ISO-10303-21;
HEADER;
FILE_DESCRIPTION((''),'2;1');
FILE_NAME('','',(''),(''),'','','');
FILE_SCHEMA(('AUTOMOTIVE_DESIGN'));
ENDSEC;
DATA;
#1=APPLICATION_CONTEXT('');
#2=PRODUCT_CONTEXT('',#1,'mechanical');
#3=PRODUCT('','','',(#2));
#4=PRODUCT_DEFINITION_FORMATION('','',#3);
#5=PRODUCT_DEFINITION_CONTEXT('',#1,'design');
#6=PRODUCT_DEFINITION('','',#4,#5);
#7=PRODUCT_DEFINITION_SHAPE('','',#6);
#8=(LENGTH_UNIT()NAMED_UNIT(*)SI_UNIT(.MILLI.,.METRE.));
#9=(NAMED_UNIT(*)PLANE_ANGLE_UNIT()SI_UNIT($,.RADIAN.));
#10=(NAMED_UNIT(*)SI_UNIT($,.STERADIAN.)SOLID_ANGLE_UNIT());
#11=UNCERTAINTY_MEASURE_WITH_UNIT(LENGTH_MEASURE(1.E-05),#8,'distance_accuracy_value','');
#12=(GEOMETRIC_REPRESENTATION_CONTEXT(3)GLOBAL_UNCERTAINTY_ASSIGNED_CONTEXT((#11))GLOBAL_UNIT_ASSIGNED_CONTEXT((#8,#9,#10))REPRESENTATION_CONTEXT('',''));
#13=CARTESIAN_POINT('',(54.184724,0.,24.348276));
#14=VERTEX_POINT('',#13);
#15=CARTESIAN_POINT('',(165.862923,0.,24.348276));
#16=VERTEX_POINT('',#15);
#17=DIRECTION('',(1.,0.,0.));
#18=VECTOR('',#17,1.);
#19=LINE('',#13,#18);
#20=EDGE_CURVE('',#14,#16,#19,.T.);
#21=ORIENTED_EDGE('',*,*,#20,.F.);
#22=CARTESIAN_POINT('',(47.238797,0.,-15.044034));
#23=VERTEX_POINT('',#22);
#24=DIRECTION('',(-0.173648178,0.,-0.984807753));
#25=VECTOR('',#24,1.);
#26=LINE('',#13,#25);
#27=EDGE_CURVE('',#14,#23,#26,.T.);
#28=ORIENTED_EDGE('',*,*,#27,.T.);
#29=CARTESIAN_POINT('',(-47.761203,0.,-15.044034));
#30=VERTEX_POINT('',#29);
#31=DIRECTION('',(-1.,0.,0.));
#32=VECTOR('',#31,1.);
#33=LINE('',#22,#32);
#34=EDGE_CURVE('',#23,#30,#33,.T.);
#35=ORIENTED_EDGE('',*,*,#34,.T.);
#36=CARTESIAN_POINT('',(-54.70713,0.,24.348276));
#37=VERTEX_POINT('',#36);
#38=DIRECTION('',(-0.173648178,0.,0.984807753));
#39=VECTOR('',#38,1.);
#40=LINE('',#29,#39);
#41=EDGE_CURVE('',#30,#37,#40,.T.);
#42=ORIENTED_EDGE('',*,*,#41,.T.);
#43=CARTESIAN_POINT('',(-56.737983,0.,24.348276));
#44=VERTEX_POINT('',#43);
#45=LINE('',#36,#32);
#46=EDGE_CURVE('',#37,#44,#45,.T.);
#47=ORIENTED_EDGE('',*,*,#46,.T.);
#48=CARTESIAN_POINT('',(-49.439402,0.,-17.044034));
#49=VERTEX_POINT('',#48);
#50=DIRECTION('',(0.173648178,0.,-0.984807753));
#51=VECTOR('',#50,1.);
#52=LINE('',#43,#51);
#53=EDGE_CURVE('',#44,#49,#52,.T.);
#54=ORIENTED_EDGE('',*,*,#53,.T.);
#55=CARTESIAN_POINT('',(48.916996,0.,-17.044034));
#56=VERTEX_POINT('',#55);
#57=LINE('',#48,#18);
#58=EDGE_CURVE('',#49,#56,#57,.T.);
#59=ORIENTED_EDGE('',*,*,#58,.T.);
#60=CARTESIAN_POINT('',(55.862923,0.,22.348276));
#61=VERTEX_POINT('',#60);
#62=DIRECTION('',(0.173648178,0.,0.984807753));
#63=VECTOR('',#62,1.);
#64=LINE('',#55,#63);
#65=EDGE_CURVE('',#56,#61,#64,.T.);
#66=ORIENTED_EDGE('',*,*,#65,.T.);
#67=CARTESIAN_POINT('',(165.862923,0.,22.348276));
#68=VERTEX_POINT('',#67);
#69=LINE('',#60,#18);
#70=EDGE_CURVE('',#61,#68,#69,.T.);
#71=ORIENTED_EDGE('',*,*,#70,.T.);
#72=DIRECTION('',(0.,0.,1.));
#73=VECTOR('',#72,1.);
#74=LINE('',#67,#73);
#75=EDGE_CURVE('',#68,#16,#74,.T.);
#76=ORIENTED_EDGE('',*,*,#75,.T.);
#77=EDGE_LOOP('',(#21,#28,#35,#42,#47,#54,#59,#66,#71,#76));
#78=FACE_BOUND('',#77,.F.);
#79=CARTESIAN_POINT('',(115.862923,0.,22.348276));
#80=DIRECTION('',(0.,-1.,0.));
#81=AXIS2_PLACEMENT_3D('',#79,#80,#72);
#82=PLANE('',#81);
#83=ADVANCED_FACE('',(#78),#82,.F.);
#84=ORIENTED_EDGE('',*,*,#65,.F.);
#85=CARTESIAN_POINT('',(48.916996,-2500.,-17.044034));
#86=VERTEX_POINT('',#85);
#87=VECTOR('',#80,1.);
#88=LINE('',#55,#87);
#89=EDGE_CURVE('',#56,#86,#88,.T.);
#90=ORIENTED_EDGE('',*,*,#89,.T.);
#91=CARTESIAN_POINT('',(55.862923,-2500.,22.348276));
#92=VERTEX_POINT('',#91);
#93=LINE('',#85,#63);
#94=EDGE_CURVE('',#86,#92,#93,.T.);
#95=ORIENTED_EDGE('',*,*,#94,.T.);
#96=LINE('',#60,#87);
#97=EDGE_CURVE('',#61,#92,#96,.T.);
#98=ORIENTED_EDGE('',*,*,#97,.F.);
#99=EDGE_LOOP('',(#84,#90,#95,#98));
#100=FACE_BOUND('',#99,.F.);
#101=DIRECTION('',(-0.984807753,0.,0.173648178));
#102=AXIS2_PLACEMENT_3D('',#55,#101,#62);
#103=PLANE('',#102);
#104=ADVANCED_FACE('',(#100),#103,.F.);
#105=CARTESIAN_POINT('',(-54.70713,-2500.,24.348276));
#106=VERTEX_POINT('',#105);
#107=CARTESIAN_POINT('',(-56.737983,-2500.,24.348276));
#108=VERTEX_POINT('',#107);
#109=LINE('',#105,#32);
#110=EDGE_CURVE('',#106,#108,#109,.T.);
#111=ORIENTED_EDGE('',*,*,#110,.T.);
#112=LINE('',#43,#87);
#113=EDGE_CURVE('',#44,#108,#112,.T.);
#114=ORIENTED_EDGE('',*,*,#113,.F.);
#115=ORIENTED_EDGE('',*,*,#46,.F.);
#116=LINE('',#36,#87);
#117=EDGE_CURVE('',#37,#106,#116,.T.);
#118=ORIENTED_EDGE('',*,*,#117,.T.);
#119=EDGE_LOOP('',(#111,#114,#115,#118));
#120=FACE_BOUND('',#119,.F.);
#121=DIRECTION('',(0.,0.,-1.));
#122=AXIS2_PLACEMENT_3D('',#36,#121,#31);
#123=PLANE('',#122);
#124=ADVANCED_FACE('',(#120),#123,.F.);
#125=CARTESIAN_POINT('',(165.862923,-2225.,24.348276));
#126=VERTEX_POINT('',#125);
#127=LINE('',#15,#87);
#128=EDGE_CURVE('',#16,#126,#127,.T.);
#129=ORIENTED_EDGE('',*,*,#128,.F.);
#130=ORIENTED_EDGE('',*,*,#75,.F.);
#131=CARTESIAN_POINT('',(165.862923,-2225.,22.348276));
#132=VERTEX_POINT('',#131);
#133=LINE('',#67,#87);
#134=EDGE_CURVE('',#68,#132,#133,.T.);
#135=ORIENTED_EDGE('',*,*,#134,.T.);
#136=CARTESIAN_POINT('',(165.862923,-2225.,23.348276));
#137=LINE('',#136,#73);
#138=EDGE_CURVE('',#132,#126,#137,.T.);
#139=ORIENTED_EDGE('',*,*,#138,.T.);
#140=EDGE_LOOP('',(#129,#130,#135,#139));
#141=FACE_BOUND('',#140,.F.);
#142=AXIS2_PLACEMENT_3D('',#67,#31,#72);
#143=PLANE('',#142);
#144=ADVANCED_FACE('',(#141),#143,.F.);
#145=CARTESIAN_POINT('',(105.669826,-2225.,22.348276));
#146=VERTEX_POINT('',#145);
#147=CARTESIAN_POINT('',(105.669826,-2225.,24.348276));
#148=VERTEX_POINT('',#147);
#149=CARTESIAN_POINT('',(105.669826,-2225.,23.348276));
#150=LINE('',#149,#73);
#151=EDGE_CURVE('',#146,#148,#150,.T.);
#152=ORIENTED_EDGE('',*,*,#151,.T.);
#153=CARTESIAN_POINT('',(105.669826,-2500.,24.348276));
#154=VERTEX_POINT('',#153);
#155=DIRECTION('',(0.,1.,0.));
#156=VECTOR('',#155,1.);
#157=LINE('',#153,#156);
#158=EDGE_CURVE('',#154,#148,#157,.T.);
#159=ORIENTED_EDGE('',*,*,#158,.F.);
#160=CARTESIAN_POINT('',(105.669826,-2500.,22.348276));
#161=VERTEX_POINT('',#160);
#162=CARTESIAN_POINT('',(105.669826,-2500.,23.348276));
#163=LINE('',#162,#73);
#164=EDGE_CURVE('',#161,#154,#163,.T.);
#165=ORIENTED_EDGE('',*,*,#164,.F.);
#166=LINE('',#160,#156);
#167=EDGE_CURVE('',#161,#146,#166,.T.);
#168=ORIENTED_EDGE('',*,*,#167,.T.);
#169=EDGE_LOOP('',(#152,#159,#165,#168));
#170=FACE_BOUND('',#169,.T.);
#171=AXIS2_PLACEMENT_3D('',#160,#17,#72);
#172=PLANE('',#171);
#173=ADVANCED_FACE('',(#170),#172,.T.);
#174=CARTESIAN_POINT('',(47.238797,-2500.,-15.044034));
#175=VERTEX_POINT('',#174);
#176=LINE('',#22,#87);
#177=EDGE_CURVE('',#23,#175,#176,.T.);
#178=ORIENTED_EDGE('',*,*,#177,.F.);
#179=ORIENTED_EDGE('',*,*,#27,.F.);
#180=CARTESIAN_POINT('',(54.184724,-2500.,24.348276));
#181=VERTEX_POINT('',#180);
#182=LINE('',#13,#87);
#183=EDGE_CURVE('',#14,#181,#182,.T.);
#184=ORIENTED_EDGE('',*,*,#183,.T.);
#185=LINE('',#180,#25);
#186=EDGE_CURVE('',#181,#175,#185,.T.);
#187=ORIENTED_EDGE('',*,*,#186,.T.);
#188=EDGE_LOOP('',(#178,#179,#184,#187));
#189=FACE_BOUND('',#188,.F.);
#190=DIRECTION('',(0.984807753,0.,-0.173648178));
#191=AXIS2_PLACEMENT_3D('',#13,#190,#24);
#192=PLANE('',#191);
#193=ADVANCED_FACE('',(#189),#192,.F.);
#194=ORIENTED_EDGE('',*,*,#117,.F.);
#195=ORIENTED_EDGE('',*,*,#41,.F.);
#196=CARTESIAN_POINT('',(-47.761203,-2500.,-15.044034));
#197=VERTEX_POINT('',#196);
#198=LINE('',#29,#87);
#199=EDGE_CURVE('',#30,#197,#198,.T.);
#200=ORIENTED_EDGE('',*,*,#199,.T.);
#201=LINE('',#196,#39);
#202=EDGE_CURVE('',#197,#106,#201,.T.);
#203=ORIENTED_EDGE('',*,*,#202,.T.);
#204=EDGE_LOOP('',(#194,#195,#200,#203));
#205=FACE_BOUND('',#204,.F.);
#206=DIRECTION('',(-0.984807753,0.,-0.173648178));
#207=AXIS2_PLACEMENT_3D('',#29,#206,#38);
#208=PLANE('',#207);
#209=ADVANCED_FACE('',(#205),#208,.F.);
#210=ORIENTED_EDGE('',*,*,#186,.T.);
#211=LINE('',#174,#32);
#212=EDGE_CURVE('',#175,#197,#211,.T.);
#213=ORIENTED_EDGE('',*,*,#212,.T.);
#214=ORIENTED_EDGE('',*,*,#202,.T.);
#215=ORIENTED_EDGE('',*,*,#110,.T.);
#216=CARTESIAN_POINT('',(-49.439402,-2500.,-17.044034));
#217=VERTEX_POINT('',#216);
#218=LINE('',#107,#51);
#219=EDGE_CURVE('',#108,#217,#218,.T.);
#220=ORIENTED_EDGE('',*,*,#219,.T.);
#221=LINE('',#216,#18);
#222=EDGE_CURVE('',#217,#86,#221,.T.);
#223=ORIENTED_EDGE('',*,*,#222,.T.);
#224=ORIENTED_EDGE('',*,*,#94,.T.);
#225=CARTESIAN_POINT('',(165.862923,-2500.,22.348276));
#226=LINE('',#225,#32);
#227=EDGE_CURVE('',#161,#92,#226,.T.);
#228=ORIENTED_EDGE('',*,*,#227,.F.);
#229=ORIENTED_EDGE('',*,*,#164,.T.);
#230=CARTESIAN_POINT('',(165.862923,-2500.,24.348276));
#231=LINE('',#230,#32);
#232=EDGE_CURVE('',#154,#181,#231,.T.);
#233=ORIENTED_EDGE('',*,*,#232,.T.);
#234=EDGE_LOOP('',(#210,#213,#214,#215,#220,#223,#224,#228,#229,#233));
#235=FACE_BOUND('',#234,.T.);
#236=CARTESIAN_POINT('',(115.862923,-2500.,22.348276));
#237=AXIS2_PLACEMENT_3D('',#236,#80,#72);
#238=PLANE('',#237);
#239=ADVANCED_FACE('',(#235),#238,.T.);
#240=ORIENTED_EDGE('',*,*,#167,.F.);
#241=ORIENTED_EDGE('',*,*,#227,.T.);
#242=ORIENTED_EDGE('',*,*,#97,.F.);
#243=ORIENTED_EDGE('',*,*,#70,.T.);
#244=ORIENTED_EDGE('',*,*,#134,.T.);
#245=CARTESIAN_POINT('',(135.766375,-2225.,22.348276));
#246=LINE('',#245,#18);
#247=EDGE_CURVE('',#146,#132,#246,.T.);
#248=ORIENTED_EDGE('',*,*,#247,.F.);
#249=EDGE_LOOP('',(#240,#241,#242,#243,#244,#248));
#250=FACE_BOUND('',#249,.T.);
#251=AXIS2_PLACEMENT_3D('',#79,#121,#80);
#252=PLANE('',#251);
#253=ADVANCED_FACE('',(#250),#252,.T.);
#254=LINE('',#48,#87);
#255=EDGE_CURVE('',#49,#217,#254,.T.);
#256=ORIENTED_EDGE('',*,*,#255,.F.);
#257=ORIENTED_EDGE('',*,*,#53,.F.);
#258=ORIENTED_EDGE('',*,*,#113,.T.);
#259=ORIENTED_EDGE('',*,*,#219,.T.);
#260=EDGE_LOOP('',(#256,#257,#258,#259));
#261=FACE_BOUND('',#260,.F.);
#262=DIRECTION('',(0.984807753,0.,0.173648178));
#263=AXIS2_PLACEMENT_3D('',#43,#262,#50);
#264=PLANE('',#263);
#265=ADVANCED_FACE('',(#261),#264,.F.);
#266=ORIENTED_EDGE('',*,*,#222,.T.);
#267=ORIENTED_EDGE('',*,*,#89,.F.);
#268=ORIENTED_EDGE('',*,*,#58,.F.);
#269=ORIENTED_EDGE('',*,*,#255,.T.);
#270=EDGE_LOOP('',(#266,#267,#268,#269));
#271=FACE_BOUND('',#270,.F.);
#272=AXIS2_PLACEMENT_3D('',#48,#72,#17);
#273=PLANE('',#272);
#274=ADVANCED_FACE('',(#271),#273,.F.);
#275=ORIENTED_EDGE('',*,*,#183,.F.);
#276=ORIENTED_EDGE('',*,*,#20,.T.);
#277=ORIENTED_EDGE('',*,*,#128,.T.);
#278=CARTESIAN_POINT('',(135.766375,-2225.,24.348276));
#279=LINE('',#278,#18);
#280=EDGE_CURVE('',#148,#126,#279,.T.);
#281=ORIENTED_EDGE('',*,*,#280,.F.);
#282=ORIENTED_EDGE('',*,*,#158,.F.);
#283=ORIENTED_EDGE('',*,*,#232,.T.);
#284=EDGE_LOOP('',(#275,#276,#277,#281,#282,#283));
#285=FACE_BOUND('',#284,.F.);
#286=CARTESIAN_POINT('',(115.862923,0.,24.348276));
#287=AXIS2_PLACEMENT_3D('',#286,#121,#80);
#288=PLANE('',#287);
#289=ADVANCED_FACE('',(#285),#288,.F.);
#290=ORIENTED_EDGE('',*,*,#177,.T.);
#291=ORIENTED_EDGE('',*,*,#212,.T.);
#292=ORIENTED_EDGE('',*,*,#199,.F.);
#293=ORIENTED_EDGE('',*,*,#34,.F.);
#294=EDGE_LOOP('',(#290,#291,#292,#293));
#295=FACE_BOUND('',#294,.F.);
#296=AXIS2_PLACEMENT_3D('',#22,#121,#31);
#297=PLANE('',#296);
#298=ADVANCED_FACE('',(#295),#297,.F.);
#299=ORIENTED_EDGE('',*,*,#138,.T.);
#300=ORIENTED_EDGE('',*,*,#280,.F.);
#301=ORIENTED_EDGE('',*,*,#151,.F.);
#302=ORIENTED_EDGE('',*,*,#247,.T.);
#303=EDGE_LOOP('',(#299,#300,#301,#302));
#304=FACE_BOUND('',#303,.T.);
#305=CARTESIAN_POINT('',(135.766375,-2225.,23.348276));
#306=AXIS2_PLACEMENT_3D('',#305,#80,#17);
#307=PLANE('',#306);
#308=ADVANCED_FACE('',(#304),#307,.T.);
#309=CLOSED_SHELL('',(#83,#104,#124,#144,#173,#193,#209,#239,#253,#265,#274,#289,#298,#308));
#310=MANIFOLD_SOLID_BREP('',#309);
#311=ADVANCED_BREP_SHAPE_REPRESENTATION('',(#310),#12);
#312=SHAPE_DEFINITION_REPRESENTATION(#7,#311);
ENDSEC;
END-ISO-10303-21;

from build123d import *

# Parameters (mm, degrees)
F1_DEPTH = 2500
F2_DEPTH = 50
F3_W     = 60.1930970593
F3_H     = 2
F4_DEPTH = 275


with BuildPart() as f1:
    # F0 (on Front) → F1 (new body)
    with BuildSketch(Plane.XZ):
        Polygon((-47.7612030406, -15.0440340683), (-54.7071301473, 24.3482760522), (-56.7379833711, 24.3482760522), (-49.439402303, -17.0440340683), (48.9169962217, -17.0440340683), (55.8629233284, 22.3482760522), (115.8629233284, 22.3482760522), (115.8629233284, 24.3482760522), (54.1847240661, 24.3482760522), (47.2387969594, -15.0440340683), align=None)
    extrude(amount=F1_DEPTH)

    # F2 (add): a face of the model
    f2_faces = [f1.faces().sort_by_distance(p)[0] for p in [
        (115.8629233284, -1250, 23.3482760522),
    ]]
    extrude(f2_faces, amount=F2_DEPTH)

    # F3 (on face) → F4 (cut)
    with BuildSketch(Plane.XZ.offset(2500)):
        with Locations((135.7663747988, 23.3482760522)):
            Rectangle(F3_W, F3_H)
    extrude(amount=-F4_DEPTH, mode=Mode.SUBTRACT)


solid = f1.part
